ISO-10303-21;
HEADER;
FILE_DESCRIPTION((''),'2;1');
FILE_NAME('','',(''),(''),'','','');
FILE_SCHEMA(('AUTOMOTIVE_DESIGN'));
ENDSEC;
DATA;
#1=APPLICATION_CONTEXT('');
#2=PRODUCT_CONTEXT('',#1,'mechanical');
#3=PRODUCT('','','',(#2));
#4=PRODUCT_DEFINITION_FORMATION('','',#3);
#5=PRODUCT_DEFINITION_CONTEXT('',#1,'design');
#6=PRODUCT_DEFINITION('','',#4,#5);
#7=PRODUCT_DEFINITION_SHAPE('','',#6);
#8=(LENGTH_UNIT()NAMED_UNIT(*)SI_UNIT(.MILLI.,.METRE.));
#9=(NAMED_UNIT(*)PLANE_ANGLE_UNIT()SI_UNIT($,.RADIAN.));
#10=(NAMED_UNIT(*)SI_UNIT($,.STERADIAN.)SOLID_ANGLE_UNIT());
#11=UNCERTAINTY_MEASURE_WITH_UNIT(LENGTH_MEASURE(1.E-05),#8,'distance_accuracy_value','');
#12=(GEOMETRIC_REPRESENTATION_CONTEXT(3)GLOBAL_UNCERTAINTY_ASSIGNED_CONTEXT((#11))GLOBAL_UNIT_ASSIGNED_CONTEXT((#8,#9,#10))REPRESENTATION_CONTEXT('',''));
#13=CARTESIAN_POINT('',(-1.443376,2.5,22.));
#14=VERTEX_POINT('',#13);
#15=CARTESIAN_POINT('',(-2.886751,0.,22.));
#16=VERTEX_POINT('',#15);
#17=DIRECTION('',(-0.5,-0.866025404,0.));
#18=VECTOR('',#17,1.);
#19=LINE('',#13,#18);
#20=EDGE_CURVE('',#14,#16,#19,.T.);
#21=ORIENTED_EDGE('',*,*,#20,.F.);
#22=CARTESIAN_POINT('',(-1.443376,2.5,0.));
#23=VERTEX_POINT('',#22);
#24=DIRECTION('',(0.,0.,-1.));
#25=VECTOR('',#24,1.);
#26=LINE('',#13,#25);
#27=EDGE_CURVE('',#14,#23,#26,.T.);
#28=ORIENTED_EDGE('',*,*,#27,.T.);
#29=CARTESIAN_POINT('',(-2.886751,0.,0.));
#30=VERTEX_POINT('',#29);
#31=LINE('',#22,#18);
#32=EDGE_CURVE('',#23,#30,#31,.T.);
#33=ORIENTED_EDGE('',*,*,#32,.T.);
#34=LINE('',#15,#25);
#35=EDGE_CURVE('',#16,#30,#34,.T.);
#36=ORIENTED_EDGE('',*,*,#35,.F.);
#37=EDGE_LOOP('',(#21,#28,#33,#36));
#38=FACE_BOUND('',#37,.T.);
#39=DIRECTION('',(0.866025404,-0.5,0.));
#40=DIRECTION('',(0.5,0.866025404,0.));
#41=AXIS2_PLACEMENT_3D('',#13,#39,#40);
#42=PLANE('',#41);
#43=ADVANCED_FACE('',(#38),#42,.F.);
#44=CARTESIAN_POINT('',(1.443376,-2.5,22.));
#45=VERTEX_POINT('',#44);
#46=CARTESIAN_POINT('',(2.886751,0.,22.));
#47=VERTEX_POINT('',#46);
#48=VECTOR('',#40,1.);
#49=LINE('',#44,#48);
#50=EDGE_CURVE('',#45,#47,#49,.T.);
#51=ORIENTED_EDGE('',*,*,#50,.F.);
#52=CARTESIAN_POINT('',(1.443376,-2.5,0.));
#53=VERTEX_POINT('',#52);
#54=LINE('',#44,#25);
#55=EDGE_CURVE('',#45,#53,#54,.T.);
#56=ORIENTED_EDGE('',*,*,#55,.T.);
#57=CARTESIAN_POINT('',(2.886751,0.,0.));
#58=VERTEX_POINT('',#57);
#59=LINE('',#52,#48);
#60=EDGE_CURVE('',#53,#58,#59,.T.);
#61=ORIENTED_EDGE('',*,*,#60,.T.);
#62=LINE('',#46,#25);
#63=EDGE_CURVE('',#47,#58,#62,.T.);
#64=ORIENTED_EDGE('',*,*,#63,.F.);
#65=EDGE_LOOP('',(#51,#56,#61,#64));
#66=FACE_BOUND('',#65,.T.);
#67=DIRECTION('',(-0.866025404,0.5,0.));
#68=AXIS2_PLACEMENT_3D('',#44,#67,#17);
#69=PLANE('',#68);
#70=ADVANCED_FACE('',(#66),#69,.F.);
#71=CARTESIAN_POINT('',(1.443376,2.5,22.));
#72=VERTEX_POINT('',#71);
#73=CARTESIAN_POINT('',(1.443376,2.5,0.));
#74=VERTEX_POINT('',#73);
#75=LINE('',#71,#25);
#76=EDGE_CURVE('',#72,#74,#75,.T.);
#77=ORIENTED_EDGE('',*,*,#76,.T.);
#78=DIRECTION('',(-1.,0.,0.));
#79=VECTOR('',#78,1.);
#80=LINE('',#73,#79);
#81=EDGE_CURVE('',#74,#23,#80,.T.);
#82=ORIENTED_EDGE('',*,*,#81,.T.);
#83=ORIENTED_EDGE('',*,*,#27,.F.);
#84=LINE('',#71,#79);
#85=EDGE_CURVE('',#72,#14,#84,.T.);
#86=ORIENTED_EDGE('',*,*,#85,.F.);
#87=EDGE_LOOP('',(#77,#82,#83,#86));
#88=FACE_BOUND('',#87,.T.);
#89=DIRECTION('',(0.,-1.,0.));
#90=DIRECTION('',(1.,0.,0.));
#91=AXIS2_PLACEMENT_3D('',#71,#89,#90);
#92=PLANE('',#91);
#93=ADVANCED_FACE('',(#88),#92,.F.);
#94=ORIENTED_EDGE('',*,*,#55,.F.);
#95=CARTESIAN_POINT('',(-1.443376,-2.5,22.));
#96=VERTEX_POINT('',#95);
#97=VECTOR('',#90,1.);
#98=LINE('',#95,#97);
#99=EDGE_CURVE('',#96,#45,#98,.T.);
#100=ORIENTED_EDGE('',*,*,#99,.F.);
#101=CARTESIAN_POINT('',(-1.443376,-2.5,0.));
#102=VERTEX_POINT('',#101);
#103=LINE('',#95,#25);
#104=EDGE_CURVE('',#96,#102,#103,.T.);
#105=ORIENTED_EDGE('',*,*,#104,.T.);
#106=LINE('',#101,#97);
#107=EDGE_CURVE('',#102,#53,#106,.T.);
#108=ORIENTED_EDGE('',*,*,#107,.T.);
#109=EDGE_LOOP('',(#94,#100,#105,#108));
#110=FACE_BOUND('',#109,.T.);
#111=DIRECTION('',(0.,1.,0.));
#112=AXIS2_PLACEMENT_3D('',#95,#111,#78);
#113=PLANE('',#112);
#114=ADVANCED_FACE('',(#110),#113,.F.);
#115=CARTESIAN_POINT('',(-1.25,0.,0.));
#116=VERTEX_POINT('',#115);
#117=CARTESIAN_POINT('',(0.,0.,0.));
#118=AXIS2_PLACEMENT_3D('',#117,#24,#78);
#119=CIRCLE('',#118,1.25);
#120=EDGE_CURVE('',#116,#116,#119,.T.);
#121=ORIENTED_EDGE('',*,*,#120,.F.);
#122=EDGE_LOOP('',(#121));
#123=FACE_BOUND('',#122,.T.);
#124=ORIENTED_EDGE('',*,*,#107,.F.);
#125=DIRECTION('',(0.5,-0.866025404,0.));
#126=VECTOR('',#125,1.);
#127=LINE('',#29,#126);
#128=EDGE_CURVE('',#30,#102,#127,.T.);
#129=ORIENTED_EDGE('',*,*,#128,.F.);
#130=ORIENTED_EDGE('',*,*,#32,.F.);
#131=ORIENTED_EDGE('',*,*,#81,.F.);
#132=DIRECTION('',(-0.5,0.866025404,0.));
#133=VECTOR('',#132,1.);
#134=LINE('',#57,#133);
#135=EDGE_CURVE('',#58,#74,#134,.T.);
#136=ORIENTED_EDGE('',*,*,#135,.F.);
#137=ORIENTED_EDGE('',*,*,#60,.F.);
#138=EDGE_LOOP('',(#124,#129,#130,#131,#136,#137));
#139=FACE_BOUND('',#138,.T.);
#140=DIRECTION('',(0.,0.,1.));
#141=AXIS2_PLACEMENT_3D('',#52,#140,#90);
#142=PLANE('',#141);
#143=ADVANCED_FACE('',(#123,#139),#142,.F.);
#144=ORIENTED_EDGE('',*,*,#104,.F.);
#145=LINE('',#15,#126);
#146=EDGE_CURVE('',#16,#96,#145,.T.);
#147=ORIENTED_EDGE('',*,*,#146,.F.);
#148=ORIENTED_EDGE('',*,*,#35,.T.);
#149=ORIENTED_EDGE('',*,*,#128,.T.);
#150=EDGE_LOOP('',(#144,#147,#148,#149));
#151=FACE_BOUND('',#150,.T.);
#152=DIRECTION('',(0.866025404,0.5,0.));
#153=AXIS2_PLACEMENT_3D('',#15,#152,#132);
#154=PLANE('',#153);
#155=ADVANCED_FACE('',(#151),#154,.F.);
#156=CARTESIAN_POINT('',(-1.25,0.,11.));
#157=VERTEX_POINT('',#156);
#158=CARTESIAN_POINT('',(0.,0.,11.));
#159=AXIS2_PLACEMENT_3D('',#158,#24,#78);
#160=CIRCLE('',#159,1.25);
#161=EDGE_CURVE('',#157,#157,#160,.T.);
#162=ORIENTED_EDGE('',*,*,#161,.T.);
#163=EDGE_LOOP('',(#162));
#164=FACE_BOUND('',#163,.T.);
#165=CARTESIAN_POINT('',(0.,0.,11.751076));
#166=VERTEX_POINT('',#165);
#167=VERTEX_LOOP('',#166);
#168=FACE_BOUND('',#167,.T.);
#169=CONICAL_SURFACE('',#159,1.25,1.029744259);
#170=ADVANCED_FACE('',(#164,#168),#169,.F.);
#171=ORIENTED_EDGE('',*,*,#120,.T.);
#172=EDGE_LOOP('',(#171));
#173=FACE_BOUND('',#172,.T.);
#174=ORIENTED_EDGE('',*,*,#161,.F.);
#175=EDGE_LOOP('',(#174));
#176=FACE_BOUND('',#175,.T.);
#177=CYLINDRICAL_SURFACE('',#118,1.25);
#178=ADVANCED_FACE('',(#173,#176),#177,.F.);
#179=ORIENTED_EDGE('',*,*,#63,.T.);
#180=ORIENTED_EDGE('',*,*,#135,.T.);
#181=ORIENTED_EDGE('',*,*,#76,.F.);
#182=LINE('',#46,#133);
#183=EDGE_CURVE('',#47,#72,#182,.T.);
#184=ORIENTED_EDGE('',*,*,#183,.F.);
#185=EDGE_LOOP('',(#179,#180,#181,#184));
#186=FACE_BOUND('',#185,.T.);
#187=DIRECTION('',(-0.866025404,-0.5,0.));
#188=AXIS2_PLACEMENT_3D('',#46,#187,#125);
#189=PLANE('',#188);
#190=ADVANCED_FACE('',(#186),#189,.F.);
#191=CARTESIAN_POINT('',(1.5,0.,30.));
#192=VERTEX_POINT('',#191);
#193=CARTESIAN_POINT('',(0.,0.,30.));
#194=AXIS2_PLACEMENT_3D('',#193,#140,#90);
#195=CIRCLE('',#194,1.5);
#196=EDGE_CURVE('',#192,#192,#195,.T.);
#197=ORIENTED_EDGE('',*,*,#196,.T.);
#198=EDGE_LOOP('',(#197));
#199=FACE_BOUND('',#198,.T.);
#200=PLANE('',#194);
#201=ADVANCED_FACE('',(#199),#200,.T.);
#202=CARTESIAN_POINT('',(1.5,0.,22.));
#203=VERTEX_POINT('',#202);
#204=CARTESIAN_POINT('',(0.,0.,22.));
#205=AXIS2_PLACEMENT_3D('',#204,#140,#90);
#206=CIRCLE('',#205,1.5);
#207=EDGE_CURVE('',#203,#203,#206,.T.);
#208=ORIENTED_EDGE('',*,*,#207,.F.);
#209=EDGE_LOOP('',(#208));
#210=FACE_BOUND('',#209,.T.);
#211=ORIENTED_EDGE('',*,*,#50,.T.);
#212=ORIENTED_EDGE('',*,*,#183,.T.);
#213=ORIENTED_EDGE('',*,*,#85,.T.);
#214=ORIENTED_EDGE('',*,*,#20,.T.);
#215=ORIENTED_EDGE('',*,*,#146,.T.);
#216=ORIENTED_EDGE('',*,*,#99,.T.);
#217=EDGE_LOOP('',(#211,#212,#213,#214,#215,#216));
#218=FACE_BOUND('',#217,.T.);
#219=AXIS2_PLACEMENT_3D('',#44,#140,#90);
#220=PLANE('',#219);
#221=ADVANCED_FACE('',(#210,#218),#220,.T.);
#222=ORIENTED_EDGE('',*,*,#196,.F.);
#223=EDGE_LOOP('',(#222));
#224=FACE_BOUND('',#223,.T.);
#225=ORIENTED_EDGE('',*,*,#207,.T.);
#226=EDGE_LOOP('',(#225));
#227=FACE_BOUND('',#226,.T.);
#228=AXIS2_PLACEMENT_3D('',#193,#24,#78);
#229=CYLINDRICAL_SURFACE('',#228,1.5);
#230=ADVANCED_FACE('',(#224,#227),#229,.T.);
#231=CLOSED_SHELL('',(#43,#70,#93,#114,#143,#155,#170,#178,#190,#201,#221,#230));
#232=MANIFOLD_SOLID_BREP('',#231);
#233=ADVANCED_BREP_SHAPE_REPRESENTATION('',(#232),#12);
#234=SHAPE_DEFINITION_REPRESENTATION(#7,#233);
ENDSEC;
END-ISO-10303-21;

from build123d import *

# Parameters (mm, degrees)
EXTRUDE_1_DEPTH = 22
SKETCH_2_R      = 1.5
EXTRUDE_2_DEPTH = 8
M3X0_5_1_D      = 2.5
M3X0_5_1_DEPTH  = 11
M3X0_5_1_TIP    = 0.751075774


with BuildPart() as part:
    # 草图1 → 拉伸1 (new body)
    with BuildSketch(Plane.XY):
        Polygon((1.443375673, -2.5), (2.886751346, 0), (1.443375673, 2.5), (-1.443375673, 2.5), (-2.886751346, 0), (-1.443375673, -2.5), align=None)
    extrude(amount=EXTRUDE_1_DEPTH)

    # 草图2 → 拉伸2 (add)
    with BuildSketch(Plane.XY.offset(22)):
        Circle(SKETCH_2_R)
    extrude(amount=EXTRUDE_2_DEPTH)

    # M3x0.5 螺纹孔1
    with Locations(Plane(origin=(0, 0, 0), x_dir=(-1, 0, 0), z_dir=(0, 0, -1))):
        with Locations((0, 0)):
            Hole(M3X0_5_1_D / 2, depth=M3X0_5_1_DEPTH)
            with Locations((0, 0, -(M3X0_5_1_DEPTH + M3X0_5_1_TIP / 2))):  # 118° drill point
                Cone(0, M3X0_5_1_D / 2, M3X0_5_1_TIP, mode=Mode.SUBTRACT)


solid = part.part
